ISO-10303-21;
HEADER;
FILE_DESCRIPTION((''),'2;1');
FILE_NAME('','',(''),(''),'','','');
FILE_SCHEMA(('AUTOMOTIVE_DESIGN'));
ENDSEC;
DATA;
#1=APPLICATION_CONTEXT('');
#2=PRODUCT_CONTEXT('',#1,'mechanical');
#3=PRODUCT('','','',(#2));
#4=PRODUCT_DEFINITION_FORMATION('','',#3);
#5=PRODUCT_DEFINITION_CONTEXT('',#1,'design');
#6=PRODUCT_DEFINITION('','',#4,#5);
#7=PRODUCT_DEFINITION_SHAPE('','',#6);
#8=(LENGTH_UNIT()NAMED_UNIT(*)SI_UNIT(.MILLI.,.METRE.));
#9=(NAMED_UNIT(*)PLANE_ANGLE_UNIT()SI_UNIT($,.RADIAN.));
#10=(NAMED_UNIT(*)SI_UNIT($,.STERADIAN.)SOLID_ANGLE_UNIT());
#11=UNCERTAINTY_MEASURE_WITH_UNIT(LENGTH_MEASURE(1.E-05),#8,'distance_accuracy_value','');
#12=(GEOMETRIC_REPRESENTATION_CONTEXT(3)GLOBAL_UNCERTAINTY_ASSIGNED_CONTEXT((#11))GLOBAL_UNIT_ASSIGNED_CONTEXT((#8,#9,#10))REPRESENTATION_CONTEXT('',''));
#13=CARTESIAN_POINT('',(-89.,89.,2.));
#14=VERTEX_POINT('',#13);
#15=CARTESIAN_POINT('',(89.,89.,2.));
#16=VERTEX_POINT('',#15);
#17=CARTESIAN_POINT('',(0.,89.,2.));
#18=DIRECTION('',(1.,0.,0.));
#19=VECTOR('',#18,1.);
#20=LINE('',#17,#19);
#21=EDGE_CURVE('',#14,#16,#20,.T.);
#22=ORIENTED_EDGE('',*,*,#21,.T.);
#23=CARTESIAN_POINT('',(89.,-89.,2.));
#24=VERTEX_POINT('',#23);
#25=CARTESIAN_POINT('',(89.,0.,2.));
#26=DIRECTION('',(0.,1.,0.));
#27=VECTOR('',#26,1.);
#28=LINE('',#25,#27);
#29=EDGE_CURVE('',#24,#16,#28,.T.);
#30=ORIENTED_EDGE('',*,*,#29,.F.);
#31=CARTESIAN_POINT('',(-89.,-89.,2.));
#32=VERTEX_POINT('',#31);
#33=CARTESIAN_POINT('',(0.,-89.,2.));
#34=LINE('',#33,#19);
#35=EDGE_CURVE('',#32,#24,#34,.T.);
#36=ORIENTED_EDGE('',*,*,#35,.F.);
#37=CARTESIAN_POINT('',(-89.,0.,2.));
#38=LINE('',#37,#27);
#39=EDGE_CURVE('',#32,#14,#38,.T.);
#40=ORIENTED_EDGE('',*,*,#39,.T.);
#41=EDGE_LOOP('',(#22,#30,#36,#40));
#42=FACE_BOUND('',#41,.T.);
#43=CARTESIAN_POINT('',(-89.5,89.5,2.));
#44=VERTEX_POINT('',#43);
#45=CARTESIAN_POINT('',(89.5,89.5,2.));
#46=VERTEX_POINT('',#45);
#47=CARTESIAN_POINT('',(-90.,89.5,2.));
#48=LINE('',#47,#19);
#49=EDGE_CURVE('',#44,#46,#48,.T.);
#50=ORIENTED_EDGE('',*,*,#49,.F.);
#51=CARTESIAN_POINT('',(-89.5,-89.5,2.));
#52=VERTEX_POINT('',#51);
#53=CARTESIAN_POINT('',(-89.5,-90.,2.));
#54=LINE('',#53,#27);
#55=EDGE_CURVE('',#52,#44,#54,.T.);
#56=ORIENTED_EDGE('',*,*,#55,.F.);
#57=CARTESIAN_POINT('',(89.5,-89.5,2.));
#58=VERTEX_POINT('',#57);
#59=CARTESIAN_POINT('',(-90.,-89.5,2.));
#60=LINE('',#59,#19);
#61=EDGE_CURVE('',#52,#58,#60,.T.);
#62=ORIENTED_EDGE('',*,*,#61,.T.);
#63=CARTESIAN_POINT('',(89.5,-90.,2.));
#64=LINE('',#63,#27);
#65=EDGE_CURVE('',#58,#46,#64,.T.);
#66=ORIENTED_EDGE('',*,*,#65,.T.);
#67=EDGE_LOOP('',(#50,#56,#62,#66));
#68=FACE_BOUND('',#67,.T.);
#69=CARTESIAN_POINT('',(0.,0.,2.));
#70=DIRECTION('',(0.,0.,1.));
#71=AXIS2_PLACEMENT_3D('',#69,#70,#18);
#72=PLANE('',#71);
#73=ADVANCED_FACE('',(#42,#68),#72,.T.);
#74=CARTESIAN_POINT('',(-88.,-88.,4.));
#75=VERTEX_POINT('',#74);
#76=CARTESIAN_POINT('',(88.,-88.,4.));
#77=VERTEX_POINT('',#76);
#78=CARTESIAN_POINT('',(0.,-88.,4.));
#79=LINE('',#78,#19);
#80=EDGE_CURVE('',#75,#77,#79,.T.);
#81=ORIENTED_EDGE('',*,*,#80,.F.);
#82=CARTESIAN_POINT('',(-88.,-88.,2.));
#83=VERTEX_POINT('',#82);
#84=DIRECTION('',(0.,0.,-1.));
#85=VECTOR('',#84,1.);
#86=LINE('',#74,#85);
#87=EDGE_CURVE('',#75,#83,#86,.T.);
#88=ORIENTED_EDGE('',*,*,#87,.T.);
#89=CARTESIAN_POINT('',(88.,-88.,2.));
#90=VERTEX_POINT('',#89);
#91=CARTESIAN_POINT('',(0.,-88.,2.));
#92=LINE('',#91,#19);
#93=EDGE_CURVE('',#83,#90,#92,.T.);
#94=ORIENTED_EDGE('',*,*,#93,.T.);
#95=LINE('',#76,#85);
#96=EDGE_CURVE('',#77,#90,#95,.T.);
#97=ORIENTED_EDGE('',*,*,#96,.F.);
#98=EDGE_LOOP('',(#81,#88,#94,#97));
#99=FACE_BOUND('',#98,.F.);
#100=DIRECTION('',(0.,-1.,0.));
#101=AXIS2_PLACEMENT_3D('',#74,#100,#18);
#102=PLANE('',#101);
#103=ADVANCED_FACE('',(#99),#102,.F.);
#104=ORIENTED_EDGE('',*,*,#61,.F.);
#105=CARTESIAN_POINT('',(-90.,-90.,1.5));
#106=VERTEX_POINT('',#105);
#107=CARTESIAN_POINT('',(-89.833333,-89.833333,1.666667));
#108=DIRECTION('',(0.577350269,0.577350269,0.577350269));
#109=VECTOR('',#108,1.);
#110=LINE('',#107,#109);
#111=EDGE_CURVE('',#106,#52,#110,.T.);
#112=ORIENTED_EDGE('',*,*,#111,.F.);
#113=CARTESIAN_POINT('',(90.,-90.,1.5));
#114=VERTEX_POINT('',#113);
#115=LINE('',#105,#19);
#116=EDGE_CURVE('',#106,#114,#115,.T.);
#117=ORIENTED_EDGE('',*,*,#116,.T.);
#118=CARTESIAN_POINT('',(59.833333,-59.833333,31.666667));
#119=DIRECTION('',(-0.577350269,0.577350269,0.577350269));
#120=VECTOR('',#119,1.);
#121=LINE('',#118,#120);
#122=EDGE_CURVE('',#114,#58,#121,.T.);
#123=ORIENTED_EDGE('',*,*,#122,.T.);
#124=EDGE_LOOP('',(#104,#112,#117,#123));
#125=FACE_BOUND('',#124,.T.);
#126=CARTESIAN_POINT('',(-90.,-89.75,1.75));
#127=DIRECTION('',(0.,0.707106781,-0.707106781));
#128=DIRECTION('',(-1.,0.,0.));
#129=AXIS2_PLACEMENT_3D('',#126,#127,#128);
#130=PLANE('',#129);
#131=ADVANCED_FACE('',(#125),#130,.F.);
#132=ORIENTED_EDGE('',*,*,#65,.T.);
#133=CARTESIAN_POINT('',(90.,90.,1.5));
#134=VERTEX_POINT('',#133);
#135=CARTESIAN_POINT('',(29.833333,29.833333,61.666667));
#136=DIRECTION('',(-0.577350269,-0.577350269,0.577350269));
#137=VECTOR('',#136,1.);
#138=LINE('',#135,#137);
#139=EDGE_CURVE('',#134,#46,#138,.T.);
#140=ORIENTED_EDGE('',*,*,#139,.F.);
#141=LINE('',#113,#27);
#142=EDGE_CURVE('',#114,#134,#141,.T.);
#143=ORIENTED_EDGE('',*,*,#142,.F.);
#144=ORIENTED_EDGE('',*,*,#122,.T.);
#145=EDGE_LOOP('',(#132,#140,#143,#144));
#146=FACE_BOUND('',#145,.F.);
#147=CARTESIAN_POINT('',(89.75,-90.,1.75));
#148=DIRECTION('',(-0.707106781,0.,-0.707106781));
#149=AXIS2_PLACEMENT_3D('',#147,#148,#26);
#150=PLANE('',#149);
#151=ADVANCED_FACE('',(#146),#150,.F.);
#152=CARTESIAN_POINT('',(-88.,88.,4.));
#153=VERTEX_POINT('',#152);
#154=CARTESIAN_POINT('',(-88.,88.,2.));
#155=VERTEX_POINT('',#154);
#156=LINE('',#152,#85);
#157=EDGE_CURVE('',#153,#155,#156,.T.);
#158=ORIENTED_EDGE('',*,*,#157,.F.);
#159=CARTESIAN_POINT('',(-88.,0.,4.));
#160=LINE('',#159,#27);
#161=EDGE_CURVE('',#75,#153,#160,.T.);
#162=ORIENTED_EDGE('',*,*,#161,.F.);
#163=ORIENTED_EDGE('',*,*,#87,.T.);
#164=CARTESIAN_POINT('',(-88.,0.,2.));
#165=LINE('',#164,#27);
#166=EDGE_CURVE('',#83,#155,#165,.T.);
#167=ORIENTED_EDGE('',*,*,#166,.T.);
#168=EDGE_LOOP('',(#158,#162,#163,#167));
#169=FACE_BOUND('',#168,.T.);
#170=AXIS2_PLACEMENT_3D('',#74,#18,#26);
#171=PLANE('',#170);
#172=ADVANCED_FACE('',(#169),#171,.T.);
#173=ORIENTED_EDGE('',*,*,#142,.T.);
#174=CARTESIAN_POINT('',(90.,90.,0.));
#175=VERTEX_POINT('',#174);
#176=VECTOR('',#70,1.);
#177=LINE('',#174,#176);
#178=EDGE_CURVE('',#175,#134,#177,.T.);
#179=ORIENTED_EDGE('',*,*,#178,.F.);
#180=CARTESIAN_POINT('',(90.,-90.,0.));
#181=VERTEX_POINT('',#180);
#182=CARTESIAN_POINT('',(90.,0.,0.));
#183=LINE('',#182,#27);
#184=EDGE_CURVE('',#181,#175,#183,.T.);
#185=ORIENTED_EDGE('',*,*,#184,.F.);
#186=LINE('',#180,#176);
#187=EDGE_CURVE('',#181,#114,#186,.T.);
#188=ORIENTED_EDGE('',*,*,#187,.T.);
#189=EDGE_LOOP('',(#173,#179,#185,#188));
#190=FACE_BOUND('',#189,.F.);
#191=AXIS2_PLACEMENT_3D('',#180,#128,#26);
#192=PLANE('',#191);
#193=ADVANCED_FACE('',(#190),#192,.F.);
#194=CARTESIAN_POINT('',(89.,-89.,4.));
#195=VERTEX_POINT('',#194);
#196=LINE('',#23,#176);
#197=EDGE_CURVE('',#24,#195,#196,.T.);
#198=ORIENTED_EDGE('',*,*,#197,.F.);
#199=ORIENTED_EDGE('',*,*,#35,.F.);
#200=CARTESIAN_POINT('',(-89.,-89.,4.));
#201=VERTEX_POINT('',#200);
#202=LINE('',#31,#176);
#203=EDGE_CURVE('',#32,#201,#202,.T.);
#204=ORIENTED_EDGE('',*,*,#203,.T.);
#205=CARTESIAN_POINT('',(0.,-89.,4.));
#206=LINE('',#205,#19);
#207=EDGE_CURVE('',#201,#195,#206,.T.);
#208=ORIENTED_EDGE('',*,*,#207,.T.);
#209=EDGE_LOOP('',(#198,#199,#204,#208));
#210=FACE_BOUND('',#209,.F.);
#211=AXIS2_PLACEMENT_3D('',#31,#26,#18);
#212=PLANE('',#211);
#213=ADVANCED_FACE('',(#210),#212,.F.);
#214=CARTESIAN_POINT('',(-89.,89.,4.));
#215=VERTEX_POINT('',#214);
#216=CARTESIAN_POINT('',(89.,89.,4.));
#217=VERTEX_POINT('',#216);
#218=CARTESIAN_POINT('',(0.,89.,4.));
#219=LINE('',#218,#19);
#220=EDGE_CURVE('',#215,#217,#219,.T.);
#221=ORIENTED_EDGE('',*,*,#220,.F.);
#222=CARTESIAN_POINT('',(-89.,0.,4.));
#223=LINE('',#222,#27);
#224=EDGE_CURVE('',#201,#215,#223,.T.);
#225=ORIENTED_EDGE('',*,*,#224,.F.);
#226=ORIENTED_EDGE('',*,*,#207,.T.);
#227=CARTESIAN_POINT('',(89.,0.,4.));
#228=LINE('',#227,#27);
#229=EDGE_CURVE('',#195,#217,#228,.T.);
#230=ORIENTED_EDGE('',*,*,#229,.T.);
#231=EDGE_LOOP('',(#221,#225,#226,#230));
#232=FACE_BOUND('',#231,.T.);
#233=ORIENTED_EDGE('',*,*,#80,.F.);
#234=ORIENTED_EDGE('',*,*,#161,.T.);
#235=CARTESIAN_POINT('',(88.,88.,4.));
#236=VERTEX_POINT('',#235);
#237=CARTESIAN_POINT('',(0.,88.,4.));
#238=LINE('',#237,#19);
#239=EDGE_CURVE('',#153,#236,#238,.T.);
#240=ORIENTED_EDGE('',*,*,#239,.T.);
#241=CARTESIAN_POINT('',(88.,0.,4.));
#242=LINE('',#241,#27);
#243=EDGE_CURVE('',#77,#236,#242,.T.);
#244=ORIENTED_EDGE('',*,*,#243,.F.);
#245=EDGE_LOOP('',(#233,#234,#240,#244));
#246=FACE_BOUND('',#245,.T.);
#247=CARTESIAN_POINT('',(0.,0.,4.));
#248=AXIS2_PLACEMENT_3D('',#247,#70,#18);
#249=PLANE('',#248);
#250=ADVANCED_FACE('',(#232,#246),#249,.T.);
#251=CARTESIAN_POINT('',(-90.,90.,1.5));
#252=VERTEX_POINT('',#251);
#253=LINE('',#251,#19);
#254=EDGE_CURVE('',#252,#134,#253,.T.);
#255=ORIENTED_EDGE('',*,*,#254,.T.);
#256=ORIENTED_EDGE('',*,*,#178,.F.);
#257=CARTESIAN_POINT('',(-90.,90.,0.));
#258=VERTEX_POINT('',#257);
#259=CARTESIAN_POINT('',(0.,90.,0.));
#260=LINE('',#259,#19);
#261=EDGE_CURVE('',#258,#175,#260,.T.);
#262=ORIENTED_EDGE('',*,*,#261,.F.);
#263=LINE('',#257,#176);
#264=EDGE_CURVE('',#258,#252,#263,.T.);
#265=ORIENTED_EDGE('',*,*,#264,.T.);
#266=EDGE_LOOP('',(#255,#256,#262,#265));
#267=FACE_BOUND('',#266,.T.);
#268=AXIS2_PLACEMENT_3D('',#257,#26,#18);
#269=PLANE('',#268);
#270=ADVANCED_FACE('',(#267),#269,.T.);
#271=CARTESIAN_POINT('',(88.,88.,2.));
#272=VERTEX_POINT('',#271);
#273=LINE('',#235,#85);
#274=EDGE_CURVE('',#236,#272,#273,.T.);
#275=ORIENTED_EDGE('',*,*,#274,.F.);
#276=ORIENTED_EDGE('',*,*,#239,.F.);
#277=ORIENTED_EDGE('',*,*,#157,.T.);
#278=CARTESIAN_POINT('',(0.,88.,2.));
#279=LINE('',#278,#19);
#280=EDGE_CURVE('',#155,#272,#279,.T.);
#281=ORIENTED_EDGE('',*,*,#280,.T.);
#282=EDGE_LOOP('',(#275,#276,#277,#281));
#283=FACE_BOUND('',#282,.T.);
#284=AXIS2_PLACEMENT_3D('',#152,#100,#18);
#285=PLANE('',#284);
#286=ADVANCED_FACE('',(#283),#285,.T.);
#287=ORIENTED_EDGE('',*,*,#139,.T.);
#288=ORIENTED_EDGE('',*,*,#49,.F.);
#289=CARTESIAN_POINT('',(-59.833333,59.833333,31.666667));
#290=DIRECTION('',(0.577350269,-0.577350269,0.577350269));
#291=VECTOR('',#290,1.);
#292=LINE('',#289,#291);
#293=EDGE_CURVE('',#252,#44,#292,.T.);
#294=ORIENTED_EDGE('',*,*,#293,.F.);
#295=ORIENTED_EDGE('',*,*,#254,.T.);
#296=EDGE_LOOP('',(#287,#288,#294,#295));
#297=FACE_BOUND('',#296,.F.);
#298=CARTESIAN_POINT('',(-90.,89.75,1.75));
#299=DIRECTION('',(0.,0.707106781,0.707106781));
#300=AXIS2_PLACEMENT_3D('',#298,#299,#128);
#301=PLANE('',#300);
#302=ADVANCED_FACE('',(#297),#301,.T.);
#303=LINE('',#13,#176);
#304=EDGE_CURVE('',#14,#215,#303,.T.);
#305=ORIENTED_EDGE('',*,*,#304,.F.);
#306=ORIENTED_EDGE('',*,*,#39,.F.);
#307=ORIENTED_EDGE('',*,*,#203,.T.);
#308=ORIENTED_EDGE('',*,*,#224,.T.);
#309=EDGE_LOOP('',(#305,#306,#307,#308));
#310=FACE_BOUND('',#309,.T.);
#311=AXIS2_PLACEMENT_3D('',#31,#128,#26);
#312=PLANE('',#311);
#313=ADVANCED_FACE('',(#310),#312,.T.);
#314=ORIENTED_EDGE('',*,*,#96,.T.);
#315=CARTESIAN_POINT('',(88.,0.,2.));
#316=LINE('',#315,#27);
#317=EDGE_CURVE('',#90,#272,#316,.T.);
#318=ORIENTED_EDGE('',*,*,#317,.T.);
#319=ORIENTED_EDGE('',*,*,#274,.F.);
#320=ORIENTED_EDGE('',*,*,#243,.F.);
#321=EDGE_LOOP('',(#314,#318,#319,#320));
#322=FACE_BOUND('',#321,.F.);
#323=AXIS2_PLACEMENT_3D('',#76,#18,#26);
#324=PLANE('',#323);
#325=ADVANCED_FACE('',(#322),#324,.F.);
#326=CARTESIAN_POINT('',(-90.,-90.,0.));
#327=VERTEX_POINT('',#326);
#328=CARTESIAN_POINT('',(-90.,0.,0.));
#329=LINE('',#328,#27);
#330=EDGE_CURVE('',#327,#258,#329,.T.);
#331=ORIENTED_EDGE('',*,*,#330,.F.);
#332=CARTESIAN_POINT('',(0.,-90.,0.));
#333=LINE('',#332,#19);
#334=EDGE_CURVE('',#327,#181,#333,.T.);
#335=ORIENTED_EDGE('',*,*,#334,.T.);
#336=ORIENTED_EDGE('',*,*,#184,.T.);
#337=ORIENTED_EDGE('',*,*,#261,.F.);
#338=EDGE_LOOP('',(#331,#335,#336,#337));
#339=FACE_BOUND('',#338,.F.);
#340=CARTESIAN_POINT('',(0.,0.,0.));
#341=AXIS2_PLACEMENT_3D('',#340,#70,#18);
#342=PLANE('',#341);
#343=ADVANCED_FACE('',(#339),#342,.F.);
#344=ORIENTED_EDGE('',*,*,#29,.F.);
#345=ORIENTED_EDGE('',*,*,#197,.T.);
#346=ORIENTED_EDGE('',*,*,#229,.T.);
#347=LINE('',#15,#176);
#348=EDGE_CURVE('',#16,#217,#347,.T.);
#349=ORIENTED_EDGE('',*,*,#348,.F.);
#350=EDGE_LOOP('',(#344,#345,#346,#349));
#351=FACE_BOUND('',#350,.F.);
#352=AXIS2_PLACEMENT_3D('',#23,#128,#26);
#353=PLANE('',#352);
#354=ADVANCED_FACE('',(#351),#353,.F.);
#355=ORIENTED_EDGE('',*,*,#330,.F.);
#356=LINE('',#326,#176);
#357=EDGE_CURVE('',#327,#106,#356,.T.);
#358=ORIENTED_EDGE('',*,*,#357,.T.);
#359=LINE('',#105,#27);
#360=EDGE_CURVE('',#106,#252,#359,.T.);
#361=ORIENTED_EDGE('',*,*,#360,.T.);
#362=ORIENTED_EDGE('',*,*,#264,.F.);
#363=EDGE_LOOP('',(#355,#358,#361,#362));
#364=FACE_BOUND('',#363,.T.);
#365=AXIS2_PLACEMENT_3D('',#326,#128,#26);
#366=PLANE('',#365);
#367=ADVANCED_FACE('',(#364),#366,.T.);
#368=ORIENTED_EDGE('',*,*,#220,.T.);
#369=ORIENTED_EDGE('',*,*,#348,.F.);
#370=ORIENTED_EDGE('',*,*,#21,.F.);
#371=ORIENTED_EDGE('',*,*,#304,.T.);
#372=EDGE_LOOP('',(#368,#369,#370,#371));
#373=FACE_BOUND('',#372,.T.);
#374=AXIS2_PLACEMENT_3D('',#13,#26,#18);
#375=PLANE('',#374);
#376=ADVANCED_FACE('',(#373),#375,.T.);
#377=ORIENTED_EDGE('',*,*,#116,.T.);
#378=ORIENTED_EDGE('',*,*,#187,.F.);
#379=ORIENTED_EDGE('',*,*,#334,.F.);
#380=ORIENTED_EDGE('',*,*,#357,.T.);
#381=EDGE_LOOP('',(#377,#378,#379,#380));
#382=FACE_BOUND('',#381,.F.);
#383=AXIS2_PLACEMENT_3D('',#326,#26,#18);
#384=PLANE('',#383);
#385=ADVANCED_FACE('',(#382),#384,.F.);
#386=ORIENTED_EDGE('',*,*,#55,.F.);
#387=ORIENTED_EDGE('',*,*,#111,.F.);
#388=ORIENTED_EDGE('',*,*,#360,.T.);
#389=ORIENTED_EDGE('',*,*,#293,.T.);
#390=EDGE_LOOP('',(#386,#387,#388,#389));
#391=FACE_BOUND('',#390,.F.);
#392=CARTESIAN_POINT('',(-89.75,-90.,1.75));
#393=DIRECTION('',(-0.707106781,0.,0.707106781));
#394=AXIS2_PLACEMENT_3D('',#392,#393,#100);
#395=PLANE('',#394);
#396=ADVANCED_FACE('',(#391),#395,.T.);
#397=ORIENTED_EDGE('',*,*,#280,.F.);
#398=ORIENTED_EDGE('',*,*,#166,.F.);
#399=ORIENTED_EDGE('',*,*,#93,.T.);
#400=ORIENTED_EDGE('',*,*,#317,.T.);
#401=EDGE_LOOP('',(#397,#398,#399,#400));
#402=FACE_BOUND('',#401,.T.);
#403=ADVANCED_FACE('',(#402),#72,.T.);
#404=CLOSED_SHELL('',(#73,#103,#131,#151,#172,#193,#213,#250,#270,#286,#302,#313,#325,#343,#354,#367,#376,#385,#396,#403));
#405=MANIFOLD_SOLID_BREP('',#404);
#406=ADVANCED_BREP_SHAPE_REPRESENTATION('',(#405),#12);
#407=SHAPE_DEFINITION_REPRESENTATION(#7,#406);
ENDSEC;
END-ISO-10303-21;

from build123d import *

# Parameters (mm, degrees)
SKETCH009_W     = 180
SKETCH009_H     = 180
PAD004_DEPTH    = 2
SKETCH010_W     = 178
SKETCH010_H     = 178
PAD005_DEPTH    = 2
SKETCH011_W     = 176
SKETCH011_H     = 176
POCKET003_DEPTH = 2
CHAMFER004_SIZE = 0.5


with BuildPart() as part:
    # Sketch009 → Pad004 (new body)
    with BuildSketch(Plane.XY):
        Rectangle(SKETCH009_W, SKETCH009_H)
    extrude(amount=PAD004_DEPTH)

    # Sketch010 (on DatumPlane) → Pad005 (join)
    with BuildSketch(Plane.XY.offset(2)):
        Rectangle(SKETCH010_W, SKETCH010_H)
    extrude(amount=PAD005_DEPTH)

    # Sketch011 (on DatumPlane) → Pocket003 (cut)
    with BuildSketch(Plane.XY.offset(4)):
        Rectangle(SKETCH011_W, SKETCH011_H)
    extrude(amount=-POCKET003_DEPTH, mode=Mode.SUBTRACT)

    # Chamfer004
    chamfer004_edges = [part.edges().sort_by_distance(p)[0] for p in [
        (0, -90, 2),
        (0, 90, 2),
        (90, 0, 2),
        (-90, 0, 2),
    ]]
    chamfer(chamfer004_edges, length=CHAMFER004_SIZE)


solid = part.part
